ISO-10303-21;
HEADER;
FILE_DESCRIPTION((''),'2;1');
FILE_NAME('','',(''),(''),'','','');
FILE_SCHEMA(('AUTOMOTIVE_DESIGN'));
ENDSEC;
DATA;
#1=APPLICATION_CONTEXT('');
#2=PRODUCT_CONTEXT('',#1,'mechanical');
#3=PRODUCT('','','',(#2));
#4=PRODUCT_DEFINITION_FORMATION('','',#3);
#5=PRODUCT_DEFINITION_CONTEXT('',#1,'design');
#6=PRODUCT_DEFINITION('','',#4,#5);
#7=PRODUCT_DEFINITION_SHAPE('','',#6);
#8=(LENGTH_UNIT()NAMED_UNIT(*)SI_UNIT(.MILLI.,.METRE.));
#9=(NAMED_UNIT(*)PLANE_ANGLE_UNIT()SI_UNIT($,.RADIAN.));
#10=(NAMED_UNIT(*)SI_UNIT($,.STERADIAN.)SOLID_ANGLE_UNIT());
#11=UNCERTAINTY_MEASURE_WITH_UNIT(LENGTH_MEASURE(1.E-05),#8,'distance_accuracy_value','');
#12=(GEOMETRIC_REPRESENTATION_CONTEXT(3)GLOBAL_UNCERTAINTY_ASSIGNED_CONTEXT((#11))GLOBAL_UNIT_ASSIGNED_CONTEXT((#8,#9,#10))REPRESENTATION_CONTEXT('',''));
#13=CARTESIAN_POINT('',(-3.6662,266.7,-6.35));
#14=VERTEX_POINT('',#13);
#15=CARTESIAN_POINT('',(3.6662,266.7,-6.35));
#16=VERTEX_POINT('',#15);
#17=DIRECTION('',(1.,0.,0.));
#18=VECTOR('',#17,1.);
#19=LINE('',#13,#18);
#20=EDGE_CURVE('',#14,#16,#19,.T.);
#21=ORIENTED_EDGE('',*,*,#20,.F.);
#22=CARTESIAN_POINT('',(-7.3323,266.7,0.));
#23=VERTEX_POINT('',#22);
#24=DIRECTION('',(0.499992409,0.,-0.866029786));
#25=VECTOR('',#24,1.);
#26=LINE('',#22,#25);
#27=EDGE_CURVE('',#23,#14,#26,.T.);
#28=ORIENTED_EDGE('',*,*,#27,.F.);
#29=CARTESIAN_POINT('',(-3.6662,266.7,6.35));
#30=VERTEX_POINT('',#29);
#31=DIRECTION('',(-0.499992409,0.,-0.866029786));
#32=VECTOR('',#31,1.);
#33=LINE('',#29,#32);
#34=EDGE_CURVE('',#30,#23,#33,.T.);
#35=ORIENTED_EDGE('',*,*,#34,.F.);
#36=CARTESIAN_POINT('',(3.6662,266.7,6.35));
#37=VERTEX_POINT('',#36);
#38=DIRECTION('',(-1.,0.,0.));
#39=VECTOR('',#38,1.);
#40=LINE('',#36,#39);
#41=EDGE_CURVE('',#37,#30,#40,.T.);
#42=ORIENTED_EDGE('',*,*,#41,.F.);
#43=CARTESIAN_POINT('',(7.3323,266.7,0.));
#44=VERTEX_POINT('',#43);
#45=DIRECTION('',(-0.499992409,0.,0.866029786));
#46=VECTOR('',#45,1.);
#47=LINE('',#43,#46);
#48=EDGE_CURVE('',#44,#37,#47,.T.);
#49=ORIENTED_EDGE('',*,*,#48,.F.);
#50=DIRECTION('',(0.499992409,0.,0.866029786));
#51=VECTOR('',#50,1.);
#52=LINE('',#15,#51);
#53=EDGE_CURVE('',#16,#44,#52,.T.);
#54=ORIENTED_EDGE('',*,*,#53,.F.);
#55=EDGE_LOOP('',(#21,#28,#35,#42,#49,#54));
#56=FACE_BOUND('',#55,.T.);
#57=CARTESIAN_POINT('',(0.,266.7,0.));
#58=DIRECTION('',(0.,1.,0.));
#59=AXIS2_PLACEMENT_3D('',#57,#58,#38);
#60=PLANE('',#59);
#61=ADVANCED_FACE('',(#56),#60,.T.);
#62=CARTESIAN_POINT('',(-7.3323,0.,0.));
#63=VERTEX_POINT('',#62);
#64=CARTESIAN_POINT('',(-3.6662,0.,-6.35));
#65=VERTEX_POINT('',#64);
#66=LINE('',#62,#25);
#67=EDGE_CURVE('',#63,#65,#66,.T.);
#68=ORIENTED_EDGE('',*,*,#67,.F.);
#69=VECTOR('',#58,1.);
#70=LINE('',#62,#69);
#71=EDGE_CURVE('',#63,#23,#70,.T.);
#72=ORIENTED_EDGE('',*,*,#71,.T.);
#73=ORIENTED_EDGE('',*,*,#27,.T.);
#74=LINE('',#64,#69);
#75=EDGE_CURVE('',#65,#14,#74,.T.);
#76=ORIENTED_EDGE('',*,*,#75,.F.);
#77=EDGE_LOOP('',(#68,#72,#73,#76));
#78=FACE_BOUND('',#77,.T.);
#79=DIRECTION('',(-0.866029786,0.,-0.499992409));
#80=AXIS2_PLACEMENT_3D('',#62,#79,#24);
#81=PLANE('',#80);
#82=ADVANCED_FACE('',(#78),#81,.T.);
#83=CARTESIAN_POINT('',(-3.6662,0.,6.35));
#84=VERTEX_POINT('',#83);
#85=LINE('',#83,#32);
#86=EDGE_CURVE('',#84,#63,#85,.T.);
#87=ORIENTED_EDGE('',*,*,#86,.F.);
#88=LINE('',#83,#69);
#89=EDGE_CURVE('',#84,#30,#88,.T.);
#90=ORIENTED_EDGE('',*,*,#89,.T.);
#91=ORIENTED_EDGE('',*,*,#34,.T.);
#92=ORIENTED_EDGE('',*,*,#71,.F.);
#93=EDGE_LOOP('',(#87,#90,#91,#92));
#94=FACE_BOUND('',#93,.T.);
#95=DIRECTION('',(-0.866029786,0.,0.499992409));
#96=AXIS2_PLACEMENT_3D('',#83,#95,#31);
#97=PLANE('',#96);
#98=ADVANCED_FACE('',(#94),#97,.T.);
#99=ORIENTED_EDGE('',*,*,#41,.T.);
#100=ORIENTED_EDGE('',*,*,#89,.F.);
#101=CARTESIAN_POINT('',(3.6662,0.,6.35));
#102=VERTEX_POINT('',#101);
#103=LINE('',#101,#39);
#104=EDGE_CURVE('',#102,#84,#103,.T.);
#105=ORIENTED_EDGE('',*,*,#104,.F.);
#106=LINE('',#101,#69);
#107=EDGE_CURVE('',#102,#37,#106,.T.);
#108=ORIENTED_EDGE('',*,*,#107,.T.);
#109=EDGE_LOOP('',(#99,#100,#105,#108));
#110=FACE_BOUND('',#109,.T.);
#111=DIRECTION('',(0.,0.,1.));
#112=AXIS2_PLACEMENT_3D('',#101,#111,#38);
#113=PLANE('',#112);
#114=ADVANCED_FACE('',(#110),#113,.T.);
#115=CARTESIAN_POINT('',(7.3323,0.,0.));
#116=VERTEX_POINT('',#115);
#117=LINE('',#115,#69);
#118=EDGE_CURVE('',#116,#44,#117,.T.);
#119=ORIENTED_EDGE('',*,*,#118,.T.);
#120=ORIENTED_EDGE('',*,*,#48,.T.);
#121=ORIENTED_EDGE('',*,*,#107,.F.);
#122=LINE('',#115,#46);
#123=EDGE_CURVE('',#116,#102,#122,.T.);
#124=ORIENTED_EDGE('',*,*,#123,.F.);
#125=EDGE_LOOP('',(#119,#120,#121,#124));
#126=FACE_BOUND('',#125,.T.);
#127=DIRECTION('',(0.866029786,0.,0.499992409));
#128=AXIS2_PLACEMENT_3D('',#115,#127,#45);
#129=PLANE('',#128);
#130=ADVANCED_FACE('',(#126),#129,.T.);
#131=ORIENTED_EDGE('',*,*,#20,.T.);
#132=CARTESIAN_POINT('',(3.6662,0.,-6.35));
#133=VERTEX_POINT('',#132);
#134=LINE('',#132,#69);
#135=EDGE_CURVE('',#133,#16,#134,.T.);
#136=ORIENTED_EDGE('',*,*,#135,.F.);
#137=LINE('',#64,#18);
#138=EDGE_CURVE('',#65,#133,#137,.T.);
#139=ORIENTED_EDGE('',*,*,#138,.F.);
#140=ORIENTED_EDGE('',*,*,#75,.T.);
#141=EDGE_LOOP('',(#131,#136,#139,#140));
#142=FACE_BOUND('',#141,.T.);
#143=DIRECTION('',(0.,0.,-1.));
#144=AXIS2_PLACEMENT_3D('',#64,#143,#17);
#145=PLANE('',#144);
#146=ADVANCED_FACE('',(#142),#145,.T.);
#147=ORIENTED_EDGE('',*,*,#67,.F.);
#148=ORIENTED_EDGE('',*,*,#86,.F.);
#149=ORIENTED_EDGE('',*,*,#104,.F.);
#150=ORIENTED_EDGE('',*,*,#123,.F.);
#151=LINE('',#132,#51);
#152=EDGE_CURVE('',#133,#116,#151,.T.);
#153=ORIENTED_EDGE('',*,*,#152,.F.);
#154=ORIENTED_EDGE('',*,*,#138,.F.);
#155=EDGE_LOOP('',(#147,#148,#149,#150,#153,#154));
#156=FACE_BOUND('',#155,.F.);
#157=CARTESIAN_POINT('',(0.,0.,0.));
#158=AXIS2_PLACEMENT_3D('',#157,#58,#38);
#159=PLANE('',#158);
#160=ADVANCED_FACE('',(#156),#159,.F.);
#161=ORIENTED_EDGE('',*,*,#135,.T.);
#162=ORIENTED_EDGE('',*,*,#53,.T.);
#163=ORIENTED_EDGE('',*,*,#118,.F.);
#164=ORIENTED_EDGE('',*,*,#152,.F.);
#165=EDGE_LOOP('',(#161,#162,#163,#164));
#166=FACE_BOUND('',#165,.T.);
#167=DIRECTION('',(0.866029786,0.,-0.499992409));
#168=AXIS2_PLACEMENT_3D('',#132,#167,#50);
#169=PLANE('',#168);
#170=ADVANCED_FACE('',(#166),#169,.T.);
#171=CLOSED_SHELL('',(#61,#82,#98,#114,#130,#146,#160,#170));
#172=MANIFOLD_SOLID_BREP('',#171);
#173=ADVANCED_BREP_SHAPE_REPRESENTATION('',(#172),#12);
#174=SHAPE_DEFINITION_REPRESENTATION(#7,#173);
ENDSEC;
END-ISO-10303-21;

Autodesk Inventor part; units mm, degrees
ref_plane "YZ Plane" through (0, 0, 0) normal (1, 0, 0) x (0, 1, 0)
ref_plane "XZ Plane" through (0, 0, 0) normal (0, 1, 0) x (-1, 0, 0)
ref_plane "XY Plane" through (0, 0, 0) normal (0, 0, 1) x (1, 0, 0)
sketch "Sketch1" plane through (0, 0, 0) normal (0, 1, 0) x (-1, 0, 0)
  line L0 (3.6662, 6.35) -> (7.3323, 0)
  line L1 (7.3323, 0) -> (3.6662, -6.35)
  line L2 (3.6662, -6.35) -> (-3.6662, -6.35)
  line L3 (-3.6662, -6.35) -> (-7.3323, 0)
  line L4 (-7.3323, 0) -> (-3.6662, 6.35)
  line L5 (-3.6662, 6.35) -> (3.6662, 6.35)
  point P0 (0, 0)
  point P1 (0, 0)
  dimension "d0" = 12.7
extrude "Extrusion1" add sketch "Sketch1" along normal blind 266.7
properties part number "Axle 0.500 Hex 3 in length" material "Steel"
